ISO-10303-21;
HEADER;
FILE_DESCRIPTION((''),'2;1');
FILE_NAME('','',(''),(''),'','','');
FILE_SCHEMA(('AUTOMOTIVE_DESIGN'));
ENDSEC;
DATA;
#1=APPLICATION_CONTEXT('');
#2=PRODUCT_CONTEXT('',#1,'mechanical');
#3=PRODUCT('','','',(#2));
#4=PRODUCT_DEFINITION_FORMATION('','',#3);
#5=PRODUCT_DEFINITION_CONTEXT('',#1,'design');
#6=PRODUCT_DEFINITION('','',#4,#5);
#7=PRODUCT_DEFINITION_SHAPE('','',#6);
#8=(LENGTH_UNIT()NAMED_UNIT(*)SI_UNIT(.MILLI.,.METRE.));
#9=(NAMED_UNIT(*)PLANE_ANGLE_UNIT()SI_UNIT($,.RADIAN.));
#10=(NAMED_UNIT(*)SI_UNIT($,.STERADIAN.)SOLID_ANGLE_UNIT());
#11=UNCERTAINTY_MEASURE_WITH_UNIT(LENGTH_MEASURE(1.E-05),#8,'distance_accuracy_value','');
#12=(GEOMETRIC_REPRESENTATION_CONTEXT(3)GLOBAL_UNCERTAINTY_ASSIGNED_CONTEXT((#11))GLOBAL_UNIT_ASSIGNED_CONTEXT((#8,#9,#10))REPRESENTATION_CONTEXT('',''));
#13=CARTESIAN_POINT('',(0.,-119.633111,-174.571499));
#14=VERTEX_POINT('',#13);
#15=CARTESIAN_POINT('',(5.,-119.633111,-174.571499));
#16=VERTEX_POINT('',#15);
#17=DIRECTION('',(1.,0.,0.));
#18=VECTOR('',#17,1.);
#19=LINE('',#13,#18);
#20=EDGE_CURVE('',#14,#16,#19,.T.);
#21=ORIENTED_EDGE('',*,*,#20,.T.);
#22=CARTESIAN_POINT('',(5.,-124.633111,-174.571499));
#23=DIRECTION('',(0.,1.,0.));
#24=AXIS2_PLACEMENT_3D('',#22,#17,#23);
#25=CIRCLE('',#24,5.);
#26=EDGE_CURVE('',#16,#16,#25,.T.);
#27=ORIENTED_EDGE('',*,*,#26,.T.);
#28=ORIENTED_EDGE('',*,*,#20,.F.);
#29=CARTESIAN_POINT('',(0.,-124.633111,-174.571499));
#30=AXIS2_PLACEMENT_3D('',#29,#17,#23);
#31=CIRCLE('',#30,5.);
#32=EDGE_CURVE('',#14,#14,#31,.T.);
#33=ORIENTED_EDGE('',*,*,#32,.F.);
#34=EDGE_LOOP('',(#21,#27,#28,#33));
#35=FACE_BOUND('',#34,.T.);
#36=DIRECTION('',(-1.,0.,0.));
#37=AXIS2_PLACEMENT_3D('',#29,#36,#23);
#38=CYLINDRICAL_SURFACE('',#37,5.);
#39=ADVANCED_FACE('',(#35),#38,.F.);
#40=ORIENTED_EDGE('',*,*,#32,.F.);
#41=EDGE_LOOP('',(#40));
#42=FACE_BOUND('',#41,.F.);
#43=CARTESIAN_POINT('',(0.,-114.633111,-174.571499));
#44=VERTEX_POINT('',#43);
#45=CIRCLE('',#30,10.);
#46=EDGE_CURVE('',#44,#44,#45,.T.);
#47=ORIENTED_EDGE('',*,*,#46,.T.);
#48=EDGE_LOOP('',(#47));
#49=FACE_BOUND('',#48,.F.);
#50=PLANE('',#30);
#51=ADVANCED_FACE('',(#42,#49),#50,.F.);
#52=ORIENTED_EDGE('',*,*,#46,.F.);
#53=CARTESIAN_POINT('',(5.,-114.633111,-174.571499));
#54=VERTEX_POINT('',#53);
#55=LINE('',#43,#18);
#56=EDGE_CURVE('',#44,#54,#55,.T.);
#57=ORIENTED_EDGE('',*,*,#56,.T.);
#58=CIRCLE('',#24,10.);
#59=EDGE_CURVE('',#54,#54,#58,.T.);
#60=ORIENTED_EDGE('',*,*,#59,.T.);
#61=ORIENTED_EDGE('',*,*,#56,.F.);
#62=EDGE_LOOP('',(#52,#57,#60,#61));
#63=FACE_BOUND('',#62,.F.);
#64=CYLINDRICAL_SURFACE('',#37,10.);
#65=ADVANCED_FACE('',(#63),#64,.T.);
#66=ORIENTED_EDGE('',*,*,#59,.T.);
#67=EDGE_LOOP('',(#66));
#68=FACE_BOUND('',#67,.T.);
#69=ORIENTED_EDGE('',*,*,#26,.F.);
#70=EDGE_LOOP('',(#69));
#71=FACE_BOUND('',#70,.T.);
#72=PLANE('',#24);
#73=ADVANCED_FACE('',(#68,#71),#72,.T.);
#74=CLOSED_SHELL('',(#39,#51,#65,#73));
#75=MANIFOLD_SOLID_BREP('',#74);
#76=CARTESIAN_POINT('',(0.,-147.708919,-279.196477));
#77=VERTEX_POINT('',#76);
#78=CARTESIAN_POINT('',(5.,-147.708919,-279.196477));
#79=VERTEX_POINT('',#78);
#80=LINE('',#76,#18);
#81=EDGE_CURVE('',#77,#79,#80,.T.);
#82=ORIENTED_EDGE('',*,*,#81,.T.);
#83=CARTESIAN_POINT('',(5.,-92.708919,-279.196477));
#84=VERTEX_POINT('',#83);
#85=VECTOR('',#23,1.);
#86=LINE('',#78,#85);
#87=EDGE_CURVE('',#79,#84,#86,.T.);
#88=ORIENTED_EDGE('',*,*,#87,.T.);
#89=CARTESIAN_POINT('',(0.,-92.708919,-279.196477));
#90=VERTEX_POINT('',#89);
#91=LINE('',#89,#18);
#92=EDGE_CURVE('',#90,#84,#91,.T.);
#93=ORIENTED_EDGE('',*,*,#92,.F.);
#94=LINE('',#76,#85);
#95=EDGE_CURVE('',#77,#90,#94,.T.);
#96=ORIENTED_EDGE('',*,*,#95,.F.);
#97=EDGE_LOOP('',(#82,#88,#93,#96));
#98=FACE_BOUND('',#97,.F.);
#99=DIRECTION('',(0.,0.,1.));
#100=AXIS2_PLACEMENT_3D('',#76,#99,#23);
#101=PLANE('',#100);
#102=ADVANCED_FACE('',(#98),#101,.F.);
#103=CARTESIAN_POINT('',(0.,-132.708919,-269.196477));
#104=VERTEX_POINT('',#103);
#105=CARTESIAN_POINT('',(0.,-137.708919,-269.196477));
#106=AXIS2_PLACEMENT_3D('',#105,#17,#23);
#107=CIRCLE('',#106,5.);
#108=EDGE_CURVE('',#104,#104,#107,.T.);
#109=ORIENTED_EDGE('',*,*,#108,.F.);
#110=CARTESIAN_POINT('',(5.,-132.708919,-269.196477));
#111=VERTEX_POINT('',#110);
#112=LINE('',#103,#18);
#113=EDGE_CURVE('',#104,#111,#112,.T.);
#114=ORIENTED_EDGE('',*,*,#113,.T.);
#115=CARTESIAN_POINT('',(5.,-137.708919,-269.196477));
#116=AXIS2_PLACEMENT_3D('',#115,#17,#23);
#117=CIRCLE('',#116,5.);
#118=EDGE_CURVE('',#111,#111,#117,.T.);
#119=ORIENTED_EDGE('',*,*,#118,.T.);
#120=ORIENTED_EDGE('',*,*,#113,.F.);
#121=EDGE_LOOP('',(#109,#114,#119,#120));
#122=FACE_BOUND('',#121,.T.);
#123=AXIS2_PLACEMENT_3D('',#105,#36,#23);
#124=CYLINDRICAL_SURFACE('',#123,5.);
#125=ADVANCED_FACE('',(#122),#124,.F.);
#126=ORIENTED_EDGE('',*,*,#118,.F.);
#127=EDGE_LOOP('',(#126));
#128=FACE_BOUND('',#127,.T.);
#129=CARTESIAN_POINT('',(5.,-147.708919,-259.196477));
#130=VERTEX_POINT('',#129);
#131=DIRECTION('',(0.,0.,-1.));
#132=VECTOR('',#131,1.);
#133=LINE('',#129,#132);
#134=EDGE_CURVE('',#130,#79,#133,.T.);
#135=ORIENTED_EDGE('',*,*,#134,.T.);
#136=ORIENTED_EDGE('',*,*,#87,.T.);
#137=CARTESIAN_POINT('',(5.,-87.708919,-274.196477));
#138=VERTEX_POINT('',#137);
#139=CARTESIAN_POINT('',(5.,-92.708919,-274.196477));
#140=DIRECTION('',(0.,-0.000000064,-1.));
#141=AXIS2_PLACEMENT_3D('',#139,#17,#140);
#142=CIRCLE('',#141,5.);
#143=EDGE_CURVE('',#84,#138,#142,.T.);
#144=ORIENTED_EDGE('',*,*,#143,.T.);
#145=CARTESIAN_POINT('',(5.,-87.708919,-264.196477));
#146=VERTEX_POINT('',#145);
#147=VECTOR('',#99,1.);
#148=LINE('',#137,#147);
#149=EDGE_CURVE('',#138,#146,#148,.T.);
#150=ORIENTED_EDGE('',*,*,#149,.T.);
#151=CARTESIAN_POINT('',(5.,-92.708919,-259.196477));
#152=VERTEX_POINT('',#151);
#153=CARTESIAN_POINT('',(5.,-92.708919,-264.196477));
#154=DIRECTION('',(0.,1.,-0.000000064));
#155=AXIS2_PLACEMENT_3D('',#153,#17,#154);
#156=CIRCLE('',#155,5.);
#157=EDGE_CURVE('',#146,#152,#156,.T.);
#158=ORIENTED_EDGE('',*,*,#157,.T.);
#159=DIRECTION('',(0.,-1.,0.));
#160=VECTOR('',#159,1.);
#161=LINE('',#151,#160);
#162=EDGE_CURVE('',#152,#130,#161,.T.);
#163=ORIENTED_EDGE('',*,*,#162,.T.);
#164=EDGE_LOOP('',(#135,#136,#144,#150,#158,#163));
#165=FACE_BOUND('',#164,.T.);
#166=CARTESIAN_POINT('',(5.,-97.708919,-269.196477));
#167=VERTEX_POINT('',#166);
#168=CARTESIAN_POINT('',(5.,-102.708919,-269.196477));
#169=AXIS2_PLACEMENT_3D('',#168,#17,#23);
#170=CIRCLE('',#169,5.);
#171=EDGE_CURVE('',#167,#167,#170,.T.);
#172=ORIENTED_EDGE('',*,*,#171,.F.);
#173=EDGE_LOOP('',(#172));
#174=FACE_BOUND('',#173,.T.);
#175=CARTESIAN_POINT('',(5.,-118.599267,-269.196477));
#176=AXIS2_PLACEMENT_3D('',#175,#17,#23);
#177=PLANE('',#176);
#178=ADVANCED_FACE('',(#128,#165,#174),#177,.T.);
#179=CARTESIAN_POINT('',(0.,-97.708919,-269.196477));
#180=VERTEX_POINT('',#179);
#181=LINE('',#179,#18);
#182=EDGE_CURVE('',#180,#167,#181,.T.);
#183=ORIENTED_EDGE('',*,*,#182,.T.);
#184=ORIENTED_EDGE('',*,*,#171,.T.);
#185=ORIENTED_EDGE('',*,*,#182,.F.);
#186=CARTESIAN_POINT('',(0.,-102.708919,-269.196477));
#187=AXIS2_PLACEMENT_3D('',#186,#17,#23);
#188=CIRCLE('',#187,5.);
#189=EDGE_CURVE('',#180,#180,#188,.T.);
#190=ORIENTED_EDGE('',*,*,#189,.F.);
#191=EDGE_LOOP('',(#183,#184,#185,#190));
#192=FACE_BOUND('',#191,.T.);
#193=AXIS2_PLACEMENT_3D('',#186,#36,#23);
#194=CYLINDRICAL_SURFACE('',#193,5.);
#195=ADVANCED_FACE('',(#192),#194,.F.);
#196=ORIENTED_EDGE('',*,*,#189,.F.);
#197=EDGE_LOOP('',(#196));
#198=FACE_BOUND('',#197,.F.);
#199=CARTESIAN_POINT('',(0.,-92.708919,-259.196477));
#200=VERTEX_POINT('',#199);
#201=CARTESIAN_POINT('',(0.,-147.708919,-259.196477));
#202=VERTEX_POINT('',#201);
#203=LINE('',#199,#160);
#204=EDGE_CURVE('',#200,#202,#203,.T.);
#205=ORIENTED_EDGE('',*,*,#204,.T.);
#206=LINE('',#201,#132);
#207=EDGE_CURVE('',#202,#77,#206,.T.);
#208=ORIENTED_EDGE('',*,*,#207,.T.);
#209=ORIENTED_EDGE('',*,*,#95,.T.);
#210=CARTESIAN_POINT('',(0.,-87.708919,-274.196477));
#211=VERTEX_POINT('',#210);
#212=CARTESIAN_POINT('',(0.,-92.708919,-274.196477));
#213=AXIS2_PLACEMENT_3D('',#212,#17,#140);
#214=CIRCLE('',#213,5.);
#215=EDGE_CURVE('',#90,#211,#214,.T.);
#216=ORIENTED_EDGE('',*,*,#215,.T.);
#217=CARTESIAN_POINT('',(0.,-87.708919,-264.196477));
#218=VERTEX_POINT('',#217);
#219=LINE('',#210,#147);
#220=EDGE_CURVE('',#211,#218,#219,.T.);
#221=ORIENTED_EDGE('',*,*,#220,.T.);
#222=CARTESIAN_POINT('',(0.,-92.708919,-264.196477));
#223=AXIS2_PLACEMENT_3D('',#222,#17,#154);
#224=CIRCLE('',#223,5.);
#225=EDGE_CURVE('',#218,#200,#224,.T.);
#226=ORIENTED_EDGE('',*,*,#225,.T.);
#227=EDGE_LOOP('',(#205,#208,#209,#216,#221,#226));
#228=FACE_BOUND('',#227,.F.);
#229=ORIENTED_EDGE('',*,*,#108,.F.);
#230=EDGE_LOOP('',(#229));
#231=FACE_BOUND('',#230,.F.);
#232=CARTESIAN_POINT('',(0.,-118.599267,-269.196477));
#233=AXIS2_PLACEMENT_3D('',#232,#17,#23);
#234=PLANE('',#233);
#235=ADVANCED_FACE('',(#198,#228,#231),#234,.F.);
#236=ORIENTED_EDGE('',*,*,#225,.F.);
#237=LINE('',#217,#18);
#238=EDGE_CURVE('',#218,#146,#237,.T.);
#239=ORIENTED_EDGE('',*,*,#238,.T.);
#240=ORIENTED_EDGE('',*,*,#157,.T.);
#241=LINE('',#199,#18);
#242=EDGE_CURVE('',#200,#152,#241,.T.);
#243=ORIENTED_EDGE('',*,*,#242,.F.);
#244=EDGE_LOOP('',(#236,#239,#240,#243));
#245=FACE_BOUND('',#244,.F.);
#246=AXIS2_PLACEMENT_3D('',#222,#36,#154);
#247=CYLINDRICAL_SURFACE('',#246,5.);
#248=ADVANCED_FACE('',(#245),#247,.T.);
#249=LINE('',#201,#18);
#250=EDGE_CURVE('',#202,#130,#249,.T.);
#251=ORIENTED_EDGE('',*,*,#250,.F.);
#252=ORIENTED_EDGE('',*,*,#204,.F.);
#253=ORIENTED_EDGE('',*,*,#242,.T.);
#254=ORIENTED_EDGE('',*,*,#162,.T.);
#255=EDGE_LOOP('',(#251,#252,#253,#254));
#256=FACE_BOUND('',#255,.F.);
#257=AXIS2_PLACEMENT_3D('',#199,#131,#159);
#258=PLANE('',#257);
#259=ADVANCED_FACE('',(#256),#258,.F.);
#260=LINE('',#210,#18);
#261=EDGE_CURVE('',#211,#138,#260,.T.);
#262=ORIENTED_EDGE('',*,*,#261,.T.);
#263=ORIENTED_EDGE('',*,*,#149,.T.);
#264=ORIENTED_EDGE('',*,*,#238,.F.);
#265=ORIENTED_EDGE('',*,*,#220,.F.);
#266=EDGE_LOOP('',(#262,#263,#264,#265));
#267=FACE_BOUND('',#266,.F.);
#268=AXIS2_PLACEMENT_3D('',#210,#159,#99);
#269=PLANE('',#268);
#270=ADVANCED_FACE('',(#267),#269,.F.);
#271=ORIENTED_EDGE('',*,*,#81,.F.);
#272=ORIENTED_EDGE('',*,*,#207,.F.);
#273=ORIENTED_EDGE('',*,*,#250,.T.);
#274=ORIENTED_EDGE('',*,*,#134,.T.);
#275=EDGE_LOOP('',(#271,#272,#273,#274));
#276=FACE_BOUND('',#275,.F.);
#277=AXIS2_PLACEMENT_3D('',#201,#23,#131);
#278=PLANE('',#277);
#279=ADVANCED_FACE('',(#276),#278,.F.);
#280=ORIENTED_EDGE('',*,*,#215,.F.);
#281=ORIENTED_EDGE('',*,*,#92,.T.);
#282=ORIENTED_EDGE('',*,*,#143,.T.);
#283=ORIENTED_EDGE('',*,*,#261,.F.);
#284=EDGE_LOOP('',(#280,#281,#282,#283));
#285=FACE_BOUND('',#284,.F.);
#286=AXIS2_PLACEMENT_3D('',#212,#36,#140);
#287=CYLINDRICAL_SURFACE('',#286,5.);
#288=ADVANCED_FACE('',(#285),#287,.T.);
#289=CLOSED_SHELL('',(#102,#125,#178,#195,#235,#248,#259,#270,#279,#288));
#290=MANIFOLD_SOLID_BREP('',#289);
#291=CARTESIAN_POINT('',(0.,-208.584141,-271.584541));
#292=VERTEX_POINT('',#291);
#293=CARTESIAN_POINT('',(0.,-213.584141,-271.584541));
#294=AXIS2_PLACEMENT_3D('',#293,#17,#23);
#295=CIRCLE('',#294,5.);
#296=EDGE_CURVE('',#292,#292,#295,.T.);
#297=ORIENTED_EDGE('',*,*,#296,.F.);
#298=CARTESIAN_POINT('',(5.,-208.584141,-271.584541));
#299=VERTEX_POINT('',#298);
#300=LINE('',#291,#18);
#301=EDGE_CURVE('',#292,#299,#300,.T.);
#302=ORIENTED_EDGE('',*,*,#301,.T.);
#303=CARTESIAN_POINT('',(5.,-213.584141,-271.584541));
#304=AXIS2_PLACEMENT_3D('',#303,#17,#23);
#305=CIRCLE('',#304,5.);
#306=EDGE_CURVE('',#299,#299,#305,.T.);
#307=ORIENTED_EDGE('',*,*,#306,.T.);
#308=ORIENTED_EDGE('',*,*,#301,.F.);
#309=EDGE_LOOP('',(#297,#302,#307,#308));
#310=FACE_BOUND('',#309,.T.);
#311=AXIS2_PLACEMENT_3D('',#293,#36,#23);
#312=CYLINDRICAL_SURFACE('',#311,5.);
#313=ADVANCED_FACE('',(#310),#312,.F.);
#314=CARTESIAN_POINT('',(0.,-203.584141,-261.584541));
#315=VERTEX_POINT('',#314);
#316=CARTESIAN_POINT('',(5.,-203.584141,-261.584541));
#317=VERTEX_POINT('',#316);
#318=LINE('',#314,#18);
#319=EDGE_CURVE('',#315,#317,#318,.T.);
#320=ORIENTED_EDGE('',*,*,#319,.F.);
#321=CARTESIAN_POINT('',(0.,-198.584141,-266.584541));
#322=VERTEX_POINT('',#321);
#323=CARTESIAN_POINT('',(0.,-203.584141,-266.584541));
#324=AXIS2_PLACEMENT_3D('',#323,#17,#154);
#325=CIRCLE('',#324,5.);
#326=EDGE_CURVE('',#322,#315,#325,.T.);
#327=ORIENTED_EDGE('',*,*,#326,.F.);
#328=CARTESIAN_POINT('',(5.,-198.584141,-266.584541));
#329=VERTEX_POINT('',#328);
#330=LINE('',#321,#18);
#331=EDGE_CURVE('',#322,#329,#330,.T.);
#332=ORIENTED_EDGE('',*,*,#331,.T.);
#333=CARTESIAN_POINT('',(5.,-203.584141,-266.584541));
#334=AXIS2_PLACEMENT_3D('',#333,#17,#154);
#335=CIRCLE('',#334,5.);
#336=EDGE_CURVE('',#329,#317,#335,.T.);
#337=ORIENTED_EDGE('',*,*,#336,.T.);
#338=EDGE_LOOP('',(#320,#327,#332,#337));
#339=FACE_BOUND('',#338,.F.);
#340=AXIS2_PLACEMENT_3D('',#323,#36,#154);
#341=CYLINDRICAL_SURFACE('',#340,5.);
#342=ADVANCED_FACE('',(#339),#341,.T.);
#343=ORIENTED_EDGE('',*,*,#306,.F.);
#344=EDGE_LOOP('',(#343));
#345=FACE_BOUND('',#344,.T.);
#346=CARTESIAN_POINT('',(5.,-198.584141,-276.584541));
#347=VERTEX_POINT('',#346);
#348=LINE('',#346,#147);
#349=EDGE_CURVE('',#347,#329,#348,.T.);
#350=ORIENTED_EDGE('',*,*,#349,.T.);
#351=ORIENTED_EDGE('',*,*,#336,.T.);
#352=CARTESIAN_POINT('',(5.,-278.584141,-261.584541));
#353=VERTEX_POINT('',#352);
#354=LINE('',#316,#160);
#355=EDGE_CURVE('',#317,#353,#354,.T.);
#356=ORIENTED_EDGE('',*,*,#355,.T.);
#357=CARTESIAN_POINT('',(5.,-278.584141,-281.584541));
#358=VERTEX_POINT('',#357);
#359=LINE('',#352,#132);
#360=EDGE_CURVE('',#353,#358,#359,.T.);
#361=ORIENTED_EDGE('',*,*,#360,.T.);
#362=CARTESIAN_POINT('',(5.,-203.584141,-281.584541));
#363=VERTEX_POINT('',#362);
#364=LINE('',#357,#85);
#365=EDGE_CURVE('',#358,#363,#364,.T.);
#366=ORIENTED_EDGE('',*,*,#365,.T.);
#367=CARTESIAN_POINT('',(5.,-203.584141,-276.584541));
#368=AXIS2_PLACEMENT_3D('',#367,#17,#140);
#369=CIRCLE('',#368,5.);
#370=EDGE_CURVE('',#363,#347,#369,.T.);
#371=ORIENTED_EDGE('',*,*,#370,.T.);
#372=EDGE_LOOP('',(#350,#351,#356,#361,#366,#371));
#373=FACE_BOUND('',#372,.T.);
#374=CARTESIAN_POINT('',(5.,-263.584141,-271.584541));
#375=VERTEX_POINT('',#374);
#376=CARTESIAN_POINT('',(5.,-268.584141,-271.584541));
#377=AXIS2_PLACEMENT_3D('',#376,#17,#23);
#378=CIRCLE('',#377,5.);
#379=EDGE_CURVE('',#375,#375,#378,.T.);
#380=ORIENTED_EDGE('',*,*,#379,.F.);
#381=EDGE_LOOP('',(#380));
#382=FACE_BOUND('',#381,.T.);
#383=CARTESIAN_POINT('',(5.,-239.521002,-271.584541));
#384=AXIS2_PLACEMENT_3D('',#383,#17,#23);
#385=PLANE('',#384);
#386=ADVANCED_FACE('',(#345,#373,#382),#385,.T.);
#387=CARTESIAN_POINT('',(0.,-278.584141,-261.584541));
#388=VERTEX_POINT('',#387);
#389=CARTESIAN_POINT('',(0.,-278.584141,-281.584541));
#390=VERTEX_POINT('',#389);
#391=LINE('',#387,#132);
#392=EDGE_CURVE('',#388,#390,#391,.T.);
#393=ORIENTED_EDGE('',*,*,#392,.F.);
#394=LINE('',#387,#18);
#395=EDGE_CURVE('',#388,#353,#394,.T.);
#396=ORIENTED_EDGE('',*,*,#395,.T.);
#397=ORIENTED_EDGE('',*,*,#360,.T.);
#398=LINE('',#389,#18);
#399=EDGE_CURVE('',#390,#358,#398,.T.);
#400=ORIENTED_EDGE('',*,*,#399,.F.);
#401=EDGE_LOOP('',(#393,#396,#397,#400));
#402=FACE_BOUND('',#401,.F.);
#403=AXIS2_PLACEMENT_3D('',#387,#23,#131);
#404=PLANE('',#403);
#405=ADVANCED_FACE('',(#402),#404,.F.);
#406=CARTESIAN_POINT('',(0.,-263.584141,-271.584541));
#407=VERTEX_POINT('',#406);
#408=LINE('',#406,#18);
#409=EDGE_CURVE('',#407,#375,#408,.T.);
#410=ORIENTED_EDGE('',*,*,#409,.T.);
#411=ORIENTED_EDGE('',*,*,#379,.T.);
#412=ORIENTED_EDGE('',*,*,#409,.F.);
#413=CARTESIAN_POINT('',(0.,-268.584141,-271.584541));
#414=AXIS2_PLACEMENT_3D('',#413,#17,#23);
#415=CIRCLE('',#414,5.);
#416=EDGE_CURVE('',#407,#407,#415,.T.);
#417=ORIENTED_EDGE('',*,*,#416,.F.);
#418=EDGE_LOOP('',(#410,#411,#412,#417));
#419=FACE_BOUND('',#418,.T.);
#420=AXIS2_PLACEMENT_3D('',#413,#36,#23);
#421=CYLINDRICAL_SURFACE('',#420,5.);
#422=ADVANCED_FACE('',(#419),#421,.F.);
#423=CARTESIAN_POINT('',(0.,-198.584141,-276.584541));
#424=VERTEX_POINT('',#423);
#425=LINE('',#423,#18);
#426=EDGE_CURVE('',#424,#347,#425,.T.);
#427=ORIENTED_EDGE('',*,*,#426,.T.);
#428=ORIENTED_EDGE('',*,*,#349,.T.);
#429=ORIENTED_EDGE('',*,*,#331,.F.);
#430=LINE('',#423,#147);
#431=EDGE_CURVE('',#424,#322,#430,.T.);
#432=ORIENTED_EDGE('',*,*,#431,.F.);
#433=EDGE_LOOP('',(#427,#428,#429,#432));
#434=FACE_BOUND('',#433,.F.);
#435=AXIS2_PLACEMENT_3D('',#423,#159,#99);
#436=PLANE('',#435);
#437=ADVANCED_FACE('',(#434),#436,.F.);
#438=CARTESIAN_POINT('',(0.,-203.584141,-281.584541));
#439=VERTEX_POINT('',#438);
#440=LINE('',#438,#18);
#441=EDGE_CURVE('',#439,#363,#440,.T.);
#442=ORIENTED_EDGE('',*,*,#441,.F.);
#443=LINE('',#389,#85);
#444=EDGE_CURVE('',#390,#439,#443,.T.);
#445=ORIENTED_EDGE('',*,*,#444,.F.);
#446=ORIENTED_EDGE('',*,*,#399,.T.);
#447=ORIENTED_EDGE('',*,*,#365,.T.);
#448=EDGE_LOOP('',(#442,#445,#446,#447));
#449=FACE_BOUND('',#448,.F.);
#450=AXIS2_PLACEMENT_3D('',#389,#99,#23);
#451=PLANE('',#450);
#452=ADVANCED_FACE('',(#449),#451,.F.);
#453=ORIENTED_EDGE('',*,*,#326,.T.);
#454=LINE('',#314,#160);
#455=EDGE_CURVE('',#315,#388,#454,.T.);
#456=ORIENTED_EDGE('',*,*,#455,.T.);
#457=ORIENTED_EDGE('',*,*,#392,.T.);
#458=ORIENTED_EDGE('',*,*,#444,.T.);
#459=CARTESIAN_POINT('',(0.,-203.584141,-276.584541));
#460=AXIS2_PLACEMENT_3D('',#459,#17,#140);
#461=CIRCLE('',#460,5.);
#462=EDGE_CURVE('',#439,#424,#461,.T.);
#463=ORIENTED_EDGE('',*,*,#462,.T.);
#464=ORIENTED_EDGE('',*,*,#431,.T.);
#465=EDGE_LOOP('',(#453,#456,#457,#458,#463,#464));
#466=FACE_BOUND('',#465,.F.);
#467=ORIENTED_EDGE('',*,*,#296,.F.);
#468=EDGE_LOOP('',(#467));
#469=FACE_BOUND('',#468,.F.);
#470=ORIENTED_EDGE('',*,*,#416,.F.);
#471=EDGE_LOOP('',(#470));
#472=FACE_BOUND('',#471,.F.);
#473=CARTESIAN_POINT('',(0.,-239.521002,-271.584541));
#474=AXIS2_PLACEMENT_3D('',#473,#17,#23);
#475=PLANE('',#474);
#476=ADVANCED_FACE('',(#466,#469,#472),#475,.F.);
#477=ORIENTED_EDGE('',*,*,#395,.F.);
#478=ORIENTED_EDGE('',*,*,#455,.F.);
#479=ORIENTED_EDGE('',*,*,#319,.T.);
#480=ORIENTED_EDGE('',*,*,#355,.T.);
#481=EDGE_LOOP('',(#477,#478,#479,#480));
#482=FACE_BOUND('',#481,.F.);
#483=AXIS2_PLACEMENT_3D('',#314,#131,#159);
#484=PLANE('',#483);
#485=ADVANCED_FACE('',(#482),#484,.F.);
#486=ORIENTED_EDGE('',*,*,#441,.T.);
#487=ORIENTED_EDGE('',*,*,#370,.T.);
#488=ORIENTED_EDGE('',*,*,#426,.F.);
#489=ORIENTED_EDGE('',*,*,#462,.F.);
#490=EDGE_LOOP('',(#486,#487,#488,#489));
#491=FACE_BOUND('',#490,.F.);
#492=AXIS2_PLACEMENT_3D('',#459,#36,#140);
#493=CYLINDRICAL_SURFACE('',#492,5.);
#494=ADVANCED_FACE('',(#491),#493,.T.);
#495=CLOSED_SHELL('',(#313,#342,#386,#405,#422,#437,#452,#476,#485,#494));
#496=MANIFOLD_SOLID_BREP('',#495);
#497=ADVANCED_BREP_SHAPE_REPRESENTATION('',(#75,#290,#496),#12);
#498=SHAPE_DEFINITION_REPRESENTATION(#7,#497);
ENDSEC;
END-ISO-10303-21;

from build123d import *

# Parameters (mm, degrees)
F0_R     = 5
F0_R_2   = 10
F1_DEPTH = 5


with BuildPart() as f1:
    # F0 (on Right) → F1 (new body)
    with BuildSketch(Plane.YZ):
        with BuildLine():
            Line((-92.708919, -259.196477), (-147.708919, -259.196477))
            Line((-147.708919, -259.196477), (-147.708919, -279.196477))
            Line((-147.708919, -279.196477), (-92.708919, -279.196477))
            ThreePointArc((-92.708919, -279.196477), (-89.173385, -277.732011), (-87.708919, -274.196477))
            Line((-87.708919, -274.196477), (-87.708919, -264.196477))
            ThreePointArc((-87.708919, -264.196477), (-89.173385, -260.660943), (-92.708919, -259.196477))
        make_face()
        with Locations((-137.708919, -269.196477)):
            Circle(F0_R, mode=Mode.SUBTRACT)
        with Locations((-102.708919, -269.196477)):
            Circle(F0_R, mode=Mode.SUBTRACT)
        with BuildLine():
            Line((-203.584141, -261.584541), (-278.584141, -261.584541))
            Line((-278.584141, -261.584541), (-278.584141, -281.584541))
            Line((-278.584141, -281.584541), (-203.584141, -281.584541))
            ThreePointArc((-203.584141, -281.584541), (-200.048607, -280.120075), (-198.584141, -276.584541))
            Line((-198.584141, -276.584541), (-198.584141, -266.584541))
            ThreePointArc((-198.584141, -266.584541), (-200.048607, -263.049007), (-203.584141, -261.584541))
        make_face()
        with Locations((-268.584141, -271.584541)):
            Circle(F0_R, mode=Mode.SUBTRACT)
        with Locations((-213.584141, -271.584541)):
            Circle(F0_R, mode=Mode.SUBTRACT)
        with Locations((-124.633111, -174.571499)):
            Circle(F0_R_2)
        with Locations((-124.633111, -174.571499)):
            Circle(F0_R, mode=Mode.SUBTRACT)
    extrude(amount=F1_DEPTH)


solid = f1.part
